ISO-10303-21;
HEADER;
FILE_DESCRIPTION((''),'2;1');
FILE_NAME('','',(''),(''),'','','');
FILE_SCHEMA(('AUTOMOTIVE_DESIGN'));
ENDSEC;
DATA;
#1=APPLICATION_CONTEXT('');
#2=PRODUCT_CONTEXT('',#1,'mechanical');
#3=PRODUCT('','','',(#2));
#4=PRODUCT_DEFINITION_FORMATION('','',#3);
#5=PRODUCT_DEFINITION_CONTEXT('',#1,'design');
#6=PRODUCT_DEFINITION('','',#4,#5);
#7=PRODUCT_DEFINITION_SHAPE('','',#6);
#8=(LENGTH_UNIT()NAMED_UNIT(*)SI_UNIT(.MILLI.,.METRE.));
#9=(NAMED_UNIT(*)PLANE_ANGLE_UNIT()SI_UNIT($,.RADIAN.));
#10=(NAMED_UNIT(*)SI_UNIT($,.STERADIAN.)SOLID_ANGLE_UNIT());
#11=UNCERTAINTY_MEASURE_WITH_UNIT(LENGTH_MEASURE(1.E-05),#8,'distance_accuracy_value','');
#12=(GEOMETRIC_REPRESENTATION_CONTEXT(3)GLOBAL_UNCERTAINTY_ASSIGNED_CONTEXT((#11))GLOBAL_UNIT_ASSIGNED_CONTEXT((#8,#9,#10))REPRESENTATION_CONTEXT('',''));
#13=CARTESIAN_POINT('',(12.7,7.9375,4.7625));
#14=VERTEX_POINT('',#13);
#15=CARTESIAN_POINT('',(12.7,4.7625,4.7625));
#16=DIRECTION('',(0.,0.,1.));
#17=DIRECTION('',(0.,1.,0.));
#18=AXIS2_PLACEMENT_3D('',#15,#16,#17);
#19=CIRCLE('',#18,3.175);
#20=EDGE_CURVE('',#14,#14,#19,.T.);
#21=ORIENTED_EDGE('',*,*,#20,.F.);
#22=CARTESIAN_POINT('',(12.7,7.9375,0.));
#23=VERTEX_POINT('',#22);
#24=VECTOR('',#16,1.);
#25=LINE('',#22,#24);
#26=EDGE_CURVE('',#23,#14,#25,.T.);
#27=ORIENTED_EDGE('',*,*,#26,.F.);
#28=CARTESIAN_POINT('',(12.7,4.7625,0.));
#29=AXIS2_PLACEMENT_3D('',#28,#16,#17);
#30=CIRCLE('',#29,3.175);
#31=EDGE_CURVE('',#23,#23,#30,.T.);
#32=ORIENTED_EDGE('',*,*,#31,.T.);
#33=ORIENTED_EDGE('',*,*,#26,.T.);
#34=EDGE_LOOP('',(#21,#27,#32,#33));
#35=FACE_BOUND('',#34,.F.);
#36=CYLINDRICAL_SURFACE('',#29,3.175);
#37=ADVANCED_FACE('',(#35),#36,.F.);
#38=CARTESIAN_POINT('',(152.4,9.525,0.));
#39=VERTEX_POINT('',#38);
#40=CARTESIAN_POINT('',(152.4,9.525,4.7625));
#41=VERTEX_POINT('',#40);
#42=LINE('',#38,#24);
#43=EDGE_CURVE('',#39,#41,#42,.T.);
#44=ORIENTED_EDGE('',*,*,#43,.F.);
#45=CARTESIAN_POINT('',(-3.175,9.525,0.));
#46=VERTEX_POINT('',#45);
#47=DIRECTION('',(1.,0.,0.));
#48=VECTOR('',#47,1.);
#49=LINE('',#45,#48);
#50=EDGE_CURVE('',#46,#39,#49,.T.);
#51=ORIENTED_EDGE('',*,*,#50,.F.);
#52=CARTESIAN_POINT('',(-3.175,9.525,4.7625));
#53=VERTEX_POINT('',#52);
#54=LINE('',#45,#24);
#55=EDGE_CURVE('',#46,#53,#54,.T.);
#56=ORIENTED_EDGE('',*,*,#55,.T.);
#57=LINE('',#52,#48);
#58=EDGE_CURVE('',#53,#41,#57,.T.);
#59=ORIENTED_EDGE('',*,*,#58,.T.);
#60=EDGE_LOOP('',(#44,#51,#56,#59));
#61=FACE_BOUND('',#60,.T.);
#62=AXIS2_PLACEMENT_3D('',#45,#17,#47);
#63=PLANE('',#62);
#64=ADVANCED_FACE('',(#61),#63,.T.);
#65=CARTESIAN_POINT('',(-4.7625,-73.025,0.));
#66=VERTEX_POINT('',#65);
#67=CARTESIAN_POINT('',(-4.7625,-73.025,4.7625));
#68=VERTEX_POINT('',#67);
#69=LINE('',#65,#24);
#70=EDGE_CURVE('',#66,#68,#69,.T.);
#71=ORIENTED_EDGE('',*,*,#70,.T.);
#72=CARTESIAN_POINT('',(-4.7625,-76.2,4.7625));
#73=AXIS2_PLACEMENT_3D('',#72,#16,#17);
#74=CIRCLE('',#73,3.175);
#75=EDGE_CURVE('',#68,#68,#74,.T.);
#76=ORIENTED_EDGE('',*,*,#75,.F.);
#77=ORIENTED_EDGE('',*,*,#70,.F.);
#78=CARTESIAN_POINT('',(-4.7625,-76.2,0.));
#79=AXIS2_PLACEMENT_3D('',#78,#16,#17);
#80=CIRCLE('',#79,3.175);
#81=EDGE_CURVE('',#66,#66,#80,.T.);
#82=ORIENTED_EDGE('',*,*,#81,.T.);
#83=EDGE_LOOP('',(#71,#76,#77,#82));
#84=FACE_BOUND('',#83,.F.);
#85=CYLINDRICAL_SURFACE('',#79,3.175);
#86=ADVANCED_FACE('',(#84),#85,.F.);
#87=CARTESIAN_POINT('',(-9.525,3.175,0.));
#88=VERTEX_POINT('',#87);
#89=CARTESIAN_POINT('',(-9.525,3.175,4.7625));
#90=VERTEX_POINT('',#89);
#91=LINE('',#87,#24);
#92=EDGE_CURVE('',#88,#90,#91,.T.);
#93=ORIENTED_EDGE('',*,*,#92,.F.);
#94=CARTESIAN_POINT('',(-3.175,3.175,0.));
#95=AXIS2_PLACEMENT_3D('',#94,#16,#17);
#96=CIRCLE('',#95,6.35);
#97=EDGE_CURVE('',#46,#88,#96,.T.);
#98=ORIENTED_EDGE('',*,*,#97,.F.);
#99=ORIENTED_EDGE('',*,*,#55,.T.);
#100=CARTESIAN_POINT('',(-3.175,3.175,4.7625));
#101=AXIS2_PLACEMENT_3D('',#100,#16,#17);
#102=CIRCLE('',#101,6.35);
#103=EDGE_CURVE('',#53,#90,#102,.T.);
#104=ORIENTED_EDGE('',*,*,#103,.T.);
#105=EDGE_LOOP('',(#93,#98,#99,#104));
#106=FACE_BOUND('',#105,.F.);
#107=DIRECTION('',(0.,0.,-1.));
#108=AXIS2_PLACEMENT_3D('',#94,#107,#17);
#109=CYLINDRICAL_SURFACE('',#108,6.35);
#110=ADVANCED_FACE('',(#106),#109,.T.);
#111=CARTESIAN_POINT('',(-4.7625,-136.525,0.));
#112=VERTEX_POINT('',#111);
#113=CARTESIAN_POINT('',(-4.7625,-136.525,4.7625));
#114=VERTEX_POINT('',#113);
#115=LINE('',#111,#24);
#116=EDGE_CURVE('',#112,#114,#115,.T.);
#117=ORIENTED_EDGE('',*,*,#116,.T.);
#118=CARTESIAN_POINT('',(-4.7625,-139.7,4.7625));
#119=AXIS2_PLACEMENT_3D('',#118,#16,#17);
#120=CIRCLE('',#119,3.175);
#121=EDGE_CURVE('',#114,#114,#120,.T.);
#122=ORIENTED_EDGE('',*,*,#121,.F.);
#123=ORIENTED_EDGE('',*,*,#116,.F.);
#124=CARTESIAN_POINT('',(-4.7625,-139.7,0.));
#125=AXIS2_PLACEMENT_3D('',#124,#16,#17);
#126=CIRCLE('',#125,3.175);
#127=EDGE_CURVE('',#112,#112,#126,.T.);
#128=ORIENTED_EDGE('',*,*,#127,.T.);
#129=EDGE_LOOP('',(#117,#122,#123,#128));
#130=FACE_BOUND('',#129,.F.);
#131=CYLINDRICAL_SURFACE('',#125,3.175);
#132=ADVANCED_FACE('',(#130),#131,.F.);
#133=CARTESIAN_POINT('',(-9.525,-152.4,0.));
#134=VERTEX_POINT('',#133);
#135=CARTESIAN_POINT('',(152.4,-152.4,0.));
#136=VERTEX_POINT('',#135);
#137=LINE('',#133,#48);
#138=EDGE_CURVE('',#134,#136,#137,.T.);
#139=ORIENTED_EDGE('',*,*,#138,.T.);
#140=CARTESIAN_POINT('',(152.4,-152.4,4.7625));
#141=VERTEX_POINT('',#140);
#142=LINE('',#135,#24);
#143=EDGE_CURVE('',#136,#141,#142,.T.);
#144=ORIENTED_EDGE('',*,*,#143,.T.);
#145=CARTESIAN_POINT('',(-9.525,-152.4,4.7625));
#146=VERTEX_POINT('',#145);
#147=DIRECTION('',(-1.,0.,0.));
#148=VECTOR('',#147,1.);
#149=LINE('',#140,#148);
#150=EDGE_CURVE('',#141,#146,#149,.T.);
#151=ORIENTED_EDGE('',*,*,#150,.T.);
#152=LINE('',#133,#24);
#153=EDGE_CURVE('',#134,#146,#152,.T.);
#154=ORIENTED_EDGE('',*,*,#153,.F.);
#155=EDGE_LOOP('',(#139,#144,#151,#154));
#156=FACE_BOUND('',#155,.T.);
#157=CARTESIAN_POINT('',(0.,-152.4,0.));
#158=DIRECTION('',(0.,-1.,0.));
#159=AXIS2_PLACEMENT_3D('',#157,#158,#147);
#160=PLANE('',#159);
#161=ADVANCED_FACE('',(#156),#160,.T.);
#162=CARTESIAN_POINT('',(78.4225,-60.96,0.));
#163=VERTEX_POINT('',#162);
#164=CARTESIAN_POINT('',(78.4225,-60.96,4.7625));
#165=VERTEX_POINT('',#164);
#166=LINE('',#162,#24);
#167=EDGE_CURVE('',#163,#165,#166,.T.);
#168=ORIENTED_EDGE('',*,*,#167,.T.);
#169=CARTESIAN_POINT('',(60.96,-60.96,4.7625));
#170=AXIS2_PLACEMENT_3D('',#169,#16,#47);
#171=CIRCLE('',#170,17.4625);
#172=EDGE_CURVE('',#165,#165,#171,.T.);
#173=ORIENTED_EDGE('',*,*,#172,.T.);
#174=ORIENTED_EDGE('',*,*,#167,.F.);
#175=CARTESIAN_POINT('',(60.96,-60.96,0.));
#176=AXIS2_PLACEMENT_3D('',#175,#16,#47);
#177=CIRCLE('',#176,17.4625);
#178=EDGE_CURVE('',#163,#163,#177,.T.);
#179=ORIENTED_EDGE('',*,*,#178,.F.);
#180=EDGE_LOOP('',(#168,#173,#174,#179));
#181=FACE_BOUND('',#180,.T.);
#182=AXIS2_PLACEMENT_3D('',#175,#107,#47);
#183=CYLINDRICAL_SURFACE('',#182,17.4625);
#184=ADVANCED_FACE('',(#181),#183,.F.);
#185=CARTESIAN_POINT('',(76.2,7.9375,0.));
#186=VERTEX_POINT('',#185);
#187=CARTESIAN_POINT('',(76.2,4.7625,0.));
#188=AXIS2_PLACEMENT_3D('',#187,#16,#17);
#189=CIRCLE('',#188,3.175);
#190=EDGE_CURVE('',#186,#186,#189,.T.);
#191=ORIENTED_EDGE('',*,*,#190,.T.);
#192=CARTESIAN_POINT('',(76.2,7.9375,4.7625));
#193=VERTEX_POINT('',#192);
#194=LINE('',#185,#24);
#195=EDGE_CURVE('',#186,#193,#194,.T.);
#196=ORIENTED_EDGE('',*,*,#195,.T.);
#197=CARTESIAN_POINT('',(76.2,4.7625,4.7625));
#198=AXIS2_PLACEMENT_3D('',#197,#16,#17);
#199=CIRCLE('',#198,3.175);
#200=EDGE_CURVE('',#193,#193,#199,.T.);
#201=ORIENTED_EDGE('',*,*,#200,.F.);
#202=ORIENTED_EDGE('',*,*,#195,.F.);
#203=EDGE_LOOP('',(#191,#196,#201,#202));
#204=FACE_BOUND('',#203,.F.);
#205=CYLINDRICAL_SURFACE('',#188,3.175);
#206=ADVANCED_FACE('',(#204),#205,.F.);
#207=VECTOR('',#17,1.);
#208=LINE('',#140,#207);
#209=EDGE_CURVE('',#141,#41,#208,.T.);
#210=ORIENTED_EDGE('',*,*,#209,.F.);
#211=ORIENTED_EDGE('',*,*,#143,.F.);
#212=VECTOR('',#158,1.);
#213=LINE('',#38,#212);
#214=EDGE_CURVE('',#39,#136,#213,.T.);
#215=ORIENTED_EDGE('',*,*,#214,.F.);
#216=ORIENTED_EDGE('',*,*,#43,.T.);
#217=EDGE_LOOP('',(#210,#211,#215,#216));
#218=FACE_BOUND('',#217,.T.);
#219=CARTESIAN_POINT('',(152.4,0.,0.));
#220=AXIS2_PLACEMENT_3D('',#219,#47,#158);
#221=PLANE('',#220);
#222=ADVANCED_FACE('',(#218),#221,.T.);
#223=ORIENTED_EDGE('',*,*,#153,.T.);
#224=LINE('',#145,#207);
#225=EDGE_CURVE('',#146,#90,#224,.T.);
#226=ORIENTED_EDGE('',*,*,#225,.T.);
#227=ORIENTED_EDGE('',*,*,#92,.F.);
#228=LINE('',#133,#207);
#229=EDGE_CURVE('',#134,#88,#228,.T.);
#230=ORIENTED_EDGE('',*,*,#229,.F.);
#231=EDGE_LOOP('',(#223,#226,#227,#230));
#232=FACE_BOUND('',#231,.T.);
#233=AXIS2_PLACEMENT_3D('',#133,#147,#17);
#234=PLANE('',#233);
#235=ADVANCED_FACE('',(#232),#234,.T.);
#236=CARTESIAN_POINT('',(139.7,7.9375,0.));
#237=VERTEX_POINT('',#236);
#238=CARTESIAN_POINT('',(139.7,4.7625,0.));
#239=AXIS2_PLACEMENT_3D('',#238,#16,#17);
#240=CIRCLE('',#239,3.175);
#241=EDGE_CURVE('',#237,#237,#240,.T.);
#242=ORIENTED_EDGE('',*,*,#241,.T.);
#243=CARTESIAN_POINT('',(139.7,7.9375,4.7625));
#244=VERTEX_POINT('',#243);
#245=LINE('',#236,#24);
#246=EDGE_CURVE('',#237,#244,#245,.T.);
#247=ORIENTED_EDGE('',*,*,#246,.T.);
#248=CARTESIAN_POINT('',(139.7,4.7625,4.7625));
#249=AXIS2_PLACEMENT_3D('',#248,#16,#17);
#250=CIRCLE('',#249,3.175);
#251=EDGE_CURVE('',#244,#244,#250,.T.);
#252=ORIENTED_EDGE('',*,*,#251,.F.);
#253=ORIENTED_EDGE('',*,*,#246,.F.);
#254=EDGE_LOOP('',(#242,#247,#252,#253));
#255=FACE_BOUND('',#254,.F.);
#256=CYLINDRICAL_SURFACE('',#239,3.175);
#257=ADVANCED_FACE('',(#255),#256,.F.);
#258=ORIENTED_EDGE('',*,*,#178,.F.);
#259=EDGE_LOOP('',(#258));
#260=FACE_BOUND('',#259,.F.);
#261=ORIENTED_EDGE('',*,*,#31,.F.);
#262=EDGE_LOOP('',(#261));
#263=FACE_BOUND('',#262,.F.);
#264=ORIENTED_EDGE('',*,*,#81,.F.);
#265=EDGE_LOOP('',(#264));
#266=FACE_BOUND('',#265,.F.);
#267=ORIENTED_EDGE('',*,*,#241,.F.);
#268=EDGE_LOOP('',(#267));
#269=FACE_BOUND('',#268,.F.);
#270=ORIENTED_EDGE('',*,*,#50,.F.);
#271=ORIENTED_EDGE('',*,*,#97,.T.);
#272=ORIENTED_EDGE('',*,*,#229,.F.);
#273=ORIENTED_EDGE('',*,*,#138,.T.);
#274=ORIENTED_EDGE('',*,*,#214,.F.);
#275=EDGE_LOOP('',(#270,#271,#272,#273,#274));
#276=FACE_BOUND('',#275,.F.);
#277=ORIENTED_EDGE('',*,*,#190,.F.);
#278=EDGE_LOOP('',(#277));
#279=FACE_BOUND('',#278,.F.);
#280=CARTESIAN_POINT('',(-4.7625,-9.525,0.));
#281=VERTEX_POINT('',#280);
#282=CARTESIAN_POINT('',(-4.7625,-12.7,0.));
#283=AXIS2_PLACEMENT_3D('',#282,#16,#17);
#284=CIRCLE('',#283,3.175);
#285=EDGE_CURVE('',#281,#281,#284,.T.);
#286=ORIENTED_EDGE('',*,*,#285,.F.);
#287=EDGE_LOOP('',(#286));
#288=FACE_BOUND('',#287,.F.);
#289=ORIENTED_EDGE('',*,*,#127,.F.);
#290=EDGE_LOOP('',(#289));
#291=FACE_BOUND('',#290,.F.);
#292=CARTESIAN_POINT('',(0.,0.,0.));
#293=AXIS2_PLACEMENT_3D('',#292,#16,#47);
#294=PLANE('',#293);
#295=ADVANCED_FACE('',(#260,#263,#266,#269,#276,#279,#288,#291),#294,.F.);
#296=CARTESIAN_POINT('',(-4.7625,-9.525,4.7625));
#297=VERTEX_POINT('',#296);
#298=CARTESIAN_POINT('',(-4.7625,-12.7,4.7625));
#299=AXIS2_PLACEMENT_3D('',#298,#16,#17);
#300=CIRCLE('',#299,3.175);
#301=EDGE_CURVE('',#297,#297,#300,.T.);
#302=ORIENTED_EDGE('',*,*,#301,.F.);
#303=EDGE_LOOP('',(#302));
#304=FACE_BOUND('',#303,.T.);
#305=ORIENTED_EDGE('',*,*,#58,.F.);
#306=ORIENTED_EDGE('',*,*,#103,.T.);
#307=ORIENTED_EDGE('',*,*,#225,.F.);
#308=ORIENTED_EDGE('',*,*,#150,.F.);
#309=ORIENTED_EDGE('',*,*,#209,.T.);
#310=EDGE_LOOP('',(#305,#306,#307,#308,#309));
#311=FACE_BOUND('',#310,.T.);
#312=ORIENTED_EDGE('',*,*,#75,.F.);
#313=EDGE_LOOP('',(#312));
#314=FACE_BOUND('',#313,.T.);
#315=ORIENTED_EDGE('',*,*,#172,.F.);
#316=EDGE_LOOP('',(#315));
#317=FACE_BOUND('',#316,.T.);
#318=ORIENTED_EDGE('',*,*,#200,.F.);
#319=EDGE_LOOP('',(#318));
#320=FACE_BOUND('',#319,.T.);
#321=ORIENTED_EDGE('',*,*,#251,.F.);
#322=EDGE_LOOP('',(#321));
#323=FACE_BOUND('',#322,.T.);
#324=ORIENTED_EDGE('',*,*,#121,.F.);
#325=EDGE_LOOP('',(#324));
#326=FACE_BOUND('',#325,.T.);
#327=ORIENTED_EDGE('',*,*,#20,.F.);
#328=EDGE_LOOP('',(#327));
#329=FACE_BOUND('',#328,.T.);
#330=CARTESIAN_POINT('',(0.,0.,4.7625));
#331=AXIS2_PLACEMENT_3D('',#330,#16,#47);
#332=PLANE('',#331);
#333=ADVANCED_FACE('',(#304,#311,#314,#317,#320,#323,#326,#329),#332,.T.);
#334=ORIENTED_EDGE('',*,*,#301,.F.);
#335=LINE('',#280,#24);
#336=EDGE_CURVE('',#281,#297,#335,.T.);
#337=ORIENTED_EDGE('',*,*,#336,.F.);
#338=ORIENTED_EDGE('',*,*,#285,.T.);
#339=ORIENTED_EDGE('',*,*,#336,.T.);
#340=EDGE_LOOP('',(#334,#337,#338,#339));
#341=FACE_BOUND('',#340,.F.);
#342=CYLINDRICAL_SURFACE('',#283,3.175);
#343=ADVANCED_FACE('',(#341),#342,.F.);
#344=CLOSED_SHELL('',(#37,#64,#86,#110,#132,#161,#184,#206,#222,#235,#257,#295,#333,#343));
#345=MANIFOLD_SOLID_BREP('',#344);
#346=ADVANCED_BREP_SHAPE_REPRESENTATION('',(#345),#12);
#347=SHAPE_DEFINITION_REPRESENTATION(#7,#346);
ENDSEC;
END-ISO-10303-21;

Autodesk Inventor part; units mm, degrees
ref_plane "YZ Plane" through (0, 0, 0) normal (1, 0, 0) x (0, 1, 0)
ref_plane "XZ Plane" through (0, 0, 0) normal (0, 1, 0) x (-1, 0, 0)
ref_plane "XY Plane" through (0, 0, 0) normal (0, 0, 1) x (1, 0, 0)
sketch "Sketch1" plane through (0, 0, 0) normal (0, 0, 1) x (1, 0, 0)
  line L0 (0, 0) -> (152.4, 0)
  line L1 (152.4, 0) -> (152.4, -152.4)
  line L2 (152.4, -152.4) -> (0, -152.4)
  line L3 (0, -152.4) -> (0, 0)
  line L4 (0, -152.4) -> (-50.8, -152.4) construction
  line L5 (-50.8, -152.4) -> (-50.8, 25.4) construction
  line L6 (0, 0) -> (0, -152.4)
  line L7 (-47.625, 25.4) -> (152.4, 25.4) construction
  line L8 (152.4, 25.4) -> (152.4, 0) construction
  line L9 (152.4, 0) -> (0, 0)
  line L10 (-47.625, 0) -> (-47.625, 25.4) construction
  line L11 (-50.8, -152.4) -> (-50.8, 25.4) construction
  line L12 (-50.8, 25.4) -> (-47.625, 25.4) construction
  circle A0 centre (60.96, -60.96) radius 54.61 construction
  circle A1 centre (60.96, -60.96) radius 53.34 construction
  circle A2 centre (60.96, -60.96) radius 17.4625
  line L13 (0, 0) -> (-47.625, 0) construction
  line L14 (0, -152.4) -> (-9.525, -152.4)
  line L15 (-9.525, -152.4) -> (-9.525, 3.175)
  line L16 (-3.175, 9.525) -> (152.4, 9.525)
  line L17 (152.4, 0) -> (152.4, 9.525)
  circle A3 centre (60.96, -60.96) radius 47.2059 construction
  line L18 (-4.7625, 9.525) -> (-4.7625, -152.4) construction
  line L19 (-9.525, 4.7625) -> (152.4, 4.7625) construction
  arc A4 (-3.175, 9.525) -> (-9.525, 3.175) centre (-3.175, 3.175) ccw
  circle A5 centre (26.1804, -128.9845) radius 19.25 construction
  circle A6 centre (122.9069, -124.7235) radius 31.75 construction
  circle A7 centre (122.9069, -124.7235) radius 25.4 construction
  circle A8 centre (141.1251, -107.0244) radius 2.4892 construction
  circle A9 centre (104.6888, -142.4226) radius 2.4892 construction
  line L20 (104.6888, -142.4226) -> (141.1251, -107.0244) construction
  circle A10 centre (60.96, -60.96) radius 57.15 construction
  line L21 (60.96, -60.96) -> (122.9069, -124.7235) construction
  circle A11 centre (73.4969, -121.9141) radius 8.89 construction
  circle A12 centre (73.4969, -121.9141) radius 25.4 construction
  circle A13 centre (41.2385, -108.5294) radius 9.525 construction
  circle A14 centre (41.2385, -108.5294) radius 19.05 construction
  circle A15 centre (26.1804, -128.9845) radius 6.35 construction
  point P0 (-9.525, 9.525)
  point P1 (12.7, 4.7625)
  point P2 (-4.7625, -12.7)
  point P3 (76.2, 4.7625)
  point P4 (139.7, 4.7625)
  point P5 (-4.7625, -76.2)
  point P6 (-4.7625, -139.7)
  dimension "d0" = 152.4
  dimension "d8" = 50.8
  dimension "d12" = 3.175
  dimension "d28" = 152.4
  dimension "d29" = 109.22
  dimension "d30" = 106.68
  dimension "d31" = 60.96
  dimension "d32" = 60.96
  dimension "d33" = 34.925
  dimension "d34" = 9.525
  dimension "d35" = 9.525
  dimension "d41" = 94.4118
  dimension "d42" = 25.4
  dimension "d43" = 22.225
  dimension "d44" = 22.225
  dimension "d45" = 6.35
  dimension "d48" = 63.5
  dimension "d55" = 63.5
  dimension "d67" = 38.5
  dimension "d68" = 63.5
  dimension "d69" = 50.8
  dimension "d70" = 4.9784
  dimension "d71" = 114.3
  dimension "d72" = 17.78
  dimension "d73" = 50.8
  dimension "d74" = 19.05
  dimension "d75" = 38.1
  dimension "d76" = 12.7
extrude "Extrusion1" add sketch "Sketch1" along normal blind 4.7625
hole "Hole1" at (12.7, 4.7625, 0) at (-4.7625, -12.7, 0) at (76.2, 4.7625, 0) at (139.7, 4.7625, 0) at (-4.7625, -76.2, 0) at (-4.7625, -139.7, 0) direction (0, 0, 1) diameter 6.35 end through all
properties part number "Module Plate - Bottom"
